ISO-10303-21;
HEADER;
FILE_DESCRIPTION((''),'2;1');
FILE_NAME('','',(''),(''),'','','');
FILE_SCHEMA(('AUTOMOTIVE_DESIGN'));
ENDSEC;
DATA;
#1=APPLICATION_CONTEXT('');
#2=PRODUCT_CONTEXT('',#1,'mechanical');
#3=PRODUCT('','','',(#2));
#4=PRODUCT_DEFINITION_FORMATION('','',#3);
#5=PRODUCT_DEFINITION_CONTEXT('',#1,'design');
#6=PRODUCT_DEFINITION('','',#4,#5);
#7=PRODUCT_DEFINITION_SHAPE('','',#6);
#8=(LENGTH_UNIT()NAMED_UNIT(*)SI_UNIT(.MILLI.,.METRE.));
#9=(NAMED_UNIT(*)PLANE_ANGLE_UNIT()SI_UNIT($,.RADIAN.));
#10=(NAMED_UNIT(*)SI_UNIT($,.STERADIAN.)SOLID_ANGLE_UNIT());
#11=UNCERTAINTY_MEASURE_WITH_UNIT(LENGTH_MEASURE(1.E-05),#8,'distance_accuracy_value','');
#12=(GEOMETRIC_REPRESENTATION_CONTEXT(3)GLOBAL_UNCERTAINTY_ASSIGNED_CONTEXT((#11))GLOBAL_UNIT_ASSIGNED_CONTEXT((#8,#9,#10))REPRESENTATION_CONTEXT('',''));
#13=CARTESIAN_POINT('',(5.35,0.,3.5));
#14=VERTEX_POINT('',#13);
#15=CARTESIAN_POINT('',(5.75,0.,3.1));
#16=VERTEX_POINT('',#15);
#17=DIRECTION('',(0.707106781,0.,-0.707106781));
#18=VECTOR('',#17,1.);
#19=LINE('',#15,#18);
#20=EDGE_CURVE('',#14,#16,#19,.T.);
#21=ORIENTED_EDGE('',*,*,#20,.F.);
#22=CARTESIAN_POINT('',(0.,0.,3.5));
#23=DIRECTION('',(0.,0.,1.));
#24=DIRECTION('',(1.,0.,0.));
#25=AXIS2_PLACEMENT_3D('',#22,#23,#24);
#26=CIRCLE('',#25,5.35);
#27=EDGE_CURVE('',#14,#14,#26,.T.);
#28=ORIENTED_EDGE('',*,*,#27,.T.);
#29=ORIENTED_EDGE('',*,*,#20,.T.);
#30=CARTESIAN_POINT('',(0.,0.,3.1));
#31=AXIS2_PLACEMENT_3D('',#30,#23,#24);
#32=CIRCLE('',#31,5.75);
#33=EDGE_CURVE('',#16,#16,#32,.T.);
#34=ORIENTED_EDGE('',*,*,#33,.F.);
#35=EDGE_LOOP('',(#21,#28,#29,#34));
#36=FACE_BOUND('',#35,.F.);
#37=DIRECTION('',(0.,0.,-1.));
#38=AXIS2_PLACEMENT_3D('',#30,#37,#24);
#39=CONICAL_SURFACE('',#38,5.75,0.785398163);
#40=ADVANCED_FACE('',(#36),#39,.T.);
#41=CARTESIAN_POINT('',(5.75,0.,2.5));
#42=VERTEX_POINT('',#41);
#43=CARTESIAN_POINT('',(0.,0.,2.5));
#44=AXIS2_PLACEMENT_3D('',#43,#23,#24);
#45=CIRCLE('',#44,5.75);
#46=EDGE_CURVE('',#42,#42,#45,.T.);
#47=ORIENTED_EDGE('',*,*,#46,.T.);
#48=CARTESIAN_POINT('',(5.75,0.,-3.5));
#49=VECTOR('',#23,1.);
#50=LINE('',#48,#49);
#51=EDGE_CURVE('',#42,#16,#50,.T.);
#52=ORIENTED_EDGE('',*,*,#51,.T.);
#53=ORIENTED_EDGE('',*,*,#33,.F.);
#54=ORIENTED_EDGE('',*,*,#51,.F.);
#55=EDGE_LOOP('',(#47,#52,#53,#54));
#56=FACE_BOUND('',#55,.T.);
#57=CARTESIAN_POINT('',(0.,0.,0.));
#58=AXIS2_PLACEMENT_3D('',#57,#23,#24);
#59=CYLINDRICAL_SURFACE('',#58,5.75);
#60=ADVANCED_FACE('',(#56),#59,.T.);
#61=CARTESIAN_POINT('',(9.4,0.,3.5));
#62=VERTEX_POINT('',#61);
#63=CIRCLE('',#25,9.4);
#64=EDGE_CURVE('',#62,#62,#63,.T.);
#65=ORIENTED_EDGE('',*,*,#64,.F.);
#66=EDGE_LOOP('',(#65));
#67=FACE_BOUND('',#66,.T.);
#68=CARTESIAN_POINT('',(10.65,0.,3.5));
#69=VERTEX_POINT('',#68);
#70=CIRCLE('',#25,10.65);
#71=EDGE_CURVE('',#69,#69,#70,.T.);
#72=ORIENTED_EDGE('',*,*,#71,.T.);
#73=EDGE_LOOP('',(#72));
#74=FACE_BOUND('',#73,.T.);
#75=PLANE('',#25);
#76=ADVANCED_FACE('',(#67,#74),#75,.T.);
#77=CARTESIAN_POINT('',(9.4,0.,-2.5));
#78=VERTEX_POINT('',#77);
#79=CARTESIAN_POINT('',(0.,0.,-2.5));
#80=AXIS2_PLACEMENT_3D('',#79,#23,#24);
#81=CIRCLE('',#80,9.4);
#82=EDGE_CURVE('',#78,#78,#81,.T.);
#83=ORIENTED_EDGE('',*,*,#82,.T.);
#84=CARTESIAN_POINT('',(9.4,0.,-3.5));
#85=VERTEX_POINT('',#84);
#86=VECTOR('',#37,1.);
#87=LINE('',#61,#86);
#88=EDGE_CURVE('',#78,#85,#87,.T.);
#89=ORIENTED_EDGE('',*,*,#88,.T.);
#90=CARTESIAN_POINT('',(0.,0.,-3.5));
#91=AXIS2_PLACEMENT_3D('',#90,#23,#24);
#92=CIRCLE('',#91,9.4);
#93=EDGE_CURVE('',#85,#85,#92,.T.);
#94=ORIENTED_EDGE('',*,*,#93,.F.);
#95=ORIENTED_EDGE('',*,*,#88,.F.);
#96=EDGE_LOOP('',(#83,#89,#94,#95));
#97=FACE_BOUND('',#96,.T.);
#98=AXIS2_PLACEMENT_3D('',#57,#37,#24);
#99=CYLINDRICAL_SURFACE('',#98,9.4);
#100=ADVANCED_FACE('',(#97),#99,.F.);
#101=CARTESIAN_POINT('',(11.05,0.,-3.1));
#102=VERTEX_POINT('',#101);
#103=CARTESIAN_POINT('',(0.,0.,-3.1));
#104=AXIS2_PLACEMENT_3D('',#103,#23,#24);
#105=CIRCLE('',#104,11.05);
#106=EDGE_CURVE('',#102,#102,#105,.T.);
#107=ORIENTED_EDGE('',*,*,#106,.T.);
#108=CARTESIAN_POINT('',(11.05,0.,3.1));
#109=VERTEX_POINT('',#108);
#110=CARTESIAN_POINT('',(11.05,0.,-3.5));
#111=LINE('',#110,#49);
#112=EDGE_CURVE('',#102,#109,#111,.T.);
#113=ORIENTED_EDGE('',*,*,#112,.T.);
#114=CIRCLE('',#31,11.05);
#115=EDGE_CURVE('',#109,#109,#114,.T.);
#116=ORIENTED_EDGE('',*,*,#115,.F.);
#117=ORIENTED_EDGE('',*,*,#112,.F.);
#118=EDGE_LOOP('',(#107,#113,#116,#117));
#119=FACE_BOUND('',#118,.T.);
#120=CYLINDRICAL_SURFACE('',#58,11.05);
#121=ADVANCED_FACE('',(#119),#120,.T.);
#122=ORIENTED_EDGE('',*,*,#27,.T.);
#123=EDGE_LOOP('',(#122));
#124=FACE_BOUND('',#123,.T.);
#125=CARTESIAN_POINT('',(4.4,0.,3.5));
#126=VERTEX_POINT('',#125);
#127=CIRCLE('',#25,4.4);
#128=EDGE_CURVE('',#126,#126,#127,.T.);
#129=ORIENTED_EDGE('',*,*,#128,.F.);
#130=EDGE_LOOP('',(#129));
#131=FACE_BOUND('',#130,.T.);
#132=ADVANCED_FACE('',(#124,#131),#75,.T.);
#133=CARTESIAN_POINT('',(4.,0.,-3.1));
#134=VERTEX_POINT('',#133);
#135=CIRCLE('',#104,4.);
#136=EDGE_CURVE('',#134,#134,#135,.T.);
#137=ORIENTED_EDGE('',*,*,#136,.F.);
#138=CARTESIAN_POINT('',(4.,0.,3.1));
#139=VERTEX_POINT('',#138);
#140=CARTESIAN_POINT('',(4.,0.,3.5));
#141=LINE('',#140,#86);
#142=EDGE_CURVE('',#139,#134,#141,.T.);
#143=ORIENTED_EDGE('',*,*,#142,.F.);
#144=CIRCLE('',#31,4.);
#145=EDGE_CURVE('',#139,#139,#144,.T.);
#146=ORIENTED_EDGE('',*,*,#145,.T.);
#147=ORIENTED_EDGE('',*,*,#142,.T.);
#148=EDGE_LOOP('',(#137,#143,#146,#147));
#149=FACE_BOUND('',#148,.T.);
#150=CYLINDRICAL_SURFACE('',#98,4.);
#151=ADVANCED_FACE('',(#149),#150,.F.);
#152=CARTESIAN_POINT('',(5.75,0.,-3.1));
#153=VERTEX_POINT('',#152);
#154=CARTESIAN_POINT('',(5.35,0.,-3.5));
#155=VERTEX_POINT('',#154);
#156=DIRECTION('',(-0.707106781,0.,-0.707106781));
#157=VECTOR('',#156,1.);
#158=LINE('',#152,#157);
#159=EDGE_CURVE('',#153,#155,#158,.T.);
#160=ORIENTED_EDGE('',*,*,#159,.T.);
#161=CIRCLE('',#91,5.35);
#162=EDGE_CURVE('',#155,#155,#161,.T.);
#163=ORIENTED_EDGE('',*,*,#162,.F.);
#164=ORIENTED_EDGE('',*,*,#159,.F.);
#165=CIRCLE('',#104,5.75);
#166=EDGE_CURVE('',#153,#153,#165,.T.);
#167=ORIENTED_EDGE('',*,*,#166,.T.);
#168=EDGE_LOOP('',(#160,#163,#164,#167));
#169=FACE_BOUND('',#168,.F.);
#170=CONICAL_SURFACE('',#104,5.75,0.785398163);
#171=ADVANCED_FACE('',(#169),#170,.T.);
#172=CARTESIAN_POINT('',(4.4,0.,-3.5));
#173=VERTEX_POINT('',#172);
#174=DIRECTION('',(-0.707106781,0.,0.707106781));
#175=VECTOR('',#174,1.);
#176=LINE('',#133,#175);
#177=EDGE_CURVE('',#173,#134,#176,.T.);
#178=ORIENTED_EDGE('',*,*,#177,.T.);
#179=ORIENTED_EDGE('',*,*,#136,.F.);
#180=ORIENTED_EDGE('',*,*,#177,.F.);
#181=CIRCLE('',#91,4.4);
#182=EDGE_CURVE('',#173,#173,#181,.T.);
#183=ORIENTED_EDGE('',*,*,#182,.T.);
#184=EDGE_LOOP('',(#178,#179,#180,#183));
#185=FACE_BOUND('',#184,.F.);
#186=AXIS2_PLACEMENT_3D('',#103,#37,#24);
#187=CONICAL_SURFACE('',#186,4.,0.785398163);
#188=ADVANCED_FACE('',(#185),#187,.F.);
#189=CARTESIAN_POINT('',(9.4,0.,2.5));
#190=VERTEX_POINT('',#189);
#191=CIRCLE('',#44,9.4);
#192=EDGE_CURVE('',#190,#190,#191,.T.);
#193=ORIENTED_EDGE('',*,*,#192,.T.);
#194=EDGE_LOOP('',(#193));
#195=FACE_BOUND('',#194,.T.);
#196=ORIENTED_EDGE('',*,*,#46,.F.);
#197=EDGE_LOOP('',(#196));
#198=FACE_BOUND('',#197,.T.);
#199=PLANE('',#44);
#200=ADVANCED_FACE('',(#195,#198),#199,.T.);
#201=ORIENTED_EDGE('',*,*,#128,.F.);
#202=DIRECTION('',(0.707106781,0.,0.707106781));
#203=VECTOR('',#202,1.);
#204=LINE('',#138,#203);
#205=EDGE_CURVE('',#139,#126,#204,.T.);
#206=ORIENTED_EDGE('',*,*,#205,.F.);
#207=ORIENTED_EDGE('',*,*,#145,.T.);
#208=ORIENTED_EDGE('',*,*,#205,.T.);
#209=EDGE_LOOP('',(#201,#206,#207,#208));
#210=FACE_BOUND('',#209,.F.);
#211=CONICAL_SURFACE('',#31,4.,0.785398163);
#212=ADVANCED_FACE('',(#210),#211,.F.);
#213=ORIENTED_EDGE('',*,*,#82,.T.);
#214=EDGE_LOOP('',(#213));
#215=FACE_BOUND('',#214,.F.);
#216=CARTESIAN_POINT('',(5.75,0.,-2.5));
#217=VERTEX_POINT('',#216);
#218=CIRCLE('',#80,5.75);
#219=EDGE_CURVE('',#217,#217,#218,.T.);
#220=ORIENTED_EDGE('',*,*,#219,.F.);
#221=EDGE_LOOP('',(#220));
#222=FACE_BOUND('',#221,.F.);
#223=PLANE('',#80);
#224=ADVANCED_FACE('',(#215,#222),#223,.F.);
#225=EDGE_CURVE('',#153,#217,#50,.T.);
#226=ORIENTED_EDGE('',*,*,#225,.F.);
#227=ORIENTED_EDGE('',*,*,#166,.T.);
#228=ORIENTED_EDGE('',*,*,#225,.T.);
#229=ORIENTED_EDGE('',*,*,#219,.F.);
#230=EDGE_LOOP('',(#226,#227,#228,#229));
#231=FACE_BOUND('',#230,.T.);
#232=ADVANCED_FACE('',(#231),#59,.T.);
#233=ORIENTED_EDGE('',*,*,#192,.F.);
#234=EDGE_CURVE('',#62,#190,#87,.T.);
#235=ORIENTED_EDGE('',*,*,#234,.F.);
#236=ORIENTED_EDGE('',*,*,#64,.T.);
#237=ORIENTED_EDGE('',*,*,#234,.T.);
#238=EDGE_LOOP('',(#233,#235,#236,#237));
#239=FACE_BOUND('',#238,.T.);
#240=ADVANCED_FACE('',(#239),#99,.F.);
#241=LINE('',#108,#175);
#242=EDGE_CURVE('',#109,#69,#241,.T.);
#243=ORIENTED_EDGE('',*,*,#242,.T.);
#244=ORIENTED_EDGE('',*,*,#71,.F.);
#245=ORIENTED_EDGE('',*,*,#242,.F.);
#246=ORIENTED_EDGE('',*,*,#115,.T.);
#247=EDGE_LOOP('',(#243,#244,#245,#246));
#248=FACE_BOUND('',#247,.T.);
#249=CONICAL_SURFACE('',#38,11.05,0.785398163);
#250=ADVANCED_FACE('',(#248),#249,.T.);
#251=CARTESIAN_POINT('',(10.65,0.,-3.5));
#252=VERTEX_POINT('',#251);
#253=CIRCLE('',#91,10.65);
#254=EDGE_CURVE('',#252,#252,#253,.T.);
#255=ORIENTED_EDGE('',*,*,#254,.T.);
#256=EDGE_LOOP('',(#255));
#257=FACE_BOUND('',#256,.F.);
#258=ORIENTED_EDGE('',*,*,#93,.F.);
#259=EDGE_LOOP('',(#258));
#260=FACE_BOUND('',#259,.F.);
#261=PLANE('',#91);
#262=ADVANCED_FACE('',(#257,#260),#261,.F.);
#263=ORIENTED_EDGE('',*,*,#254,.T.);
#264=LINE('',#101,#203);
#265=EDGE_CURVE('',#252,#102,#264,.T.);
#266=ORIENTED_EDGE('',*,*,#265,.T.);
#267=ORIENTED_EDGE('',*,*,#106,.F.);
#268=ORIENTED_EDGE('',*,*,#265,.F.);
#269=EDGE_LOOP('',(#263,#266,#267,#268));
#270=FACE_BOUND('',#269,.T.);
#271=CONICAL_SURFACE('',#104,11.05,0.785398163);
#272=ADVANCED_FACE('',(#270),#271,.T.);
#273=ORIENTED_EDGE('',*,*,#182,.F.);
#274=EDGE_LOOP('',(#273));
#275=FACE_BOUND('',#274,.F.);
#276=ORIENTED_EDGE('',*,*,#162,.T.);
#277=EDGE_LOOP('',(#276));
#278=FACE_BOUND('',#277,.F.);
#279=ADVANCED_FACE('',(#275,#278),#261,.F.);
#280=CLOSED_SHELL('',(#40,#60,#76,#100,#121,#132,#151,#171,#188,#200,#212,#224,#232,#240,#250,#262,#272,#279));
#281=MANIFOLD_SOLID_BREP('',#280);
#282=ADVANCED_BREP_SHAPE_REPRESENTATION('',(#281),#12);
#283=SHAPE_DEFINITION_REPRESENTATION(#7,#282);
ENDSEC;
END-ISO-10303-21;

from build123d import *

# Parameters (mm, degrees)
F0_R     = 11.05
F0_R_2   = 9.4
F1_DEPTH = 3.5
F0_R_3   = 5.75
F0_R_4   = 4
F2_DEPTH = 2.5
F3_SIZE  = 0.4


with BuildPart() as f1:
    # F0 (on Top) → F1 (new body, symmetric)
    with BuildSketch(Plane.XY):
        Circle(F0_R)
        Circle(F0_R_2, mode=Mode.SUBTRACT)
    extrude(amount=F1_DEPTH, both=True)



with BuildPart() as f1b:
    # F0 (on Top) → F1, piece 2 (new body, symmetric)
    with BuildSketch(Plane.XY):
        Circle(F0_R_3)
        Circle(F0_R_4, mode=Mode.SUBTRACT)
    extrude(amount=F1_DEPTH, both=True)


with BuildPart() as f1_1:
    add(f1.part)

    add(f1b.part)  # F2 merges F1b
    # F0 (on Top) → F2 (join, symmetric)
    with BuildSketch(Plane.XY):
        Circle(F0_R_2)
        Circle(F0_R_3, mode=Mode.SUBTRACT)
    extrude(amount=F2_DEPTH, both=True)

    # F3
    f3_edges = [f1_1.edges().sort_by_distance(p)[0] for p in [
        (-11.05, 0, 3.5),
        (-11.05, 0, -3.5),
        (-4, 0, 3.5),
        (-5.75, 0, 3.5),
        (-5.75, 0, -3.5),
        (-4, 0, -3.5),
    ]]
    chamfer(f3_edges, length=F3_SIZE)


solid = f1_1.part
